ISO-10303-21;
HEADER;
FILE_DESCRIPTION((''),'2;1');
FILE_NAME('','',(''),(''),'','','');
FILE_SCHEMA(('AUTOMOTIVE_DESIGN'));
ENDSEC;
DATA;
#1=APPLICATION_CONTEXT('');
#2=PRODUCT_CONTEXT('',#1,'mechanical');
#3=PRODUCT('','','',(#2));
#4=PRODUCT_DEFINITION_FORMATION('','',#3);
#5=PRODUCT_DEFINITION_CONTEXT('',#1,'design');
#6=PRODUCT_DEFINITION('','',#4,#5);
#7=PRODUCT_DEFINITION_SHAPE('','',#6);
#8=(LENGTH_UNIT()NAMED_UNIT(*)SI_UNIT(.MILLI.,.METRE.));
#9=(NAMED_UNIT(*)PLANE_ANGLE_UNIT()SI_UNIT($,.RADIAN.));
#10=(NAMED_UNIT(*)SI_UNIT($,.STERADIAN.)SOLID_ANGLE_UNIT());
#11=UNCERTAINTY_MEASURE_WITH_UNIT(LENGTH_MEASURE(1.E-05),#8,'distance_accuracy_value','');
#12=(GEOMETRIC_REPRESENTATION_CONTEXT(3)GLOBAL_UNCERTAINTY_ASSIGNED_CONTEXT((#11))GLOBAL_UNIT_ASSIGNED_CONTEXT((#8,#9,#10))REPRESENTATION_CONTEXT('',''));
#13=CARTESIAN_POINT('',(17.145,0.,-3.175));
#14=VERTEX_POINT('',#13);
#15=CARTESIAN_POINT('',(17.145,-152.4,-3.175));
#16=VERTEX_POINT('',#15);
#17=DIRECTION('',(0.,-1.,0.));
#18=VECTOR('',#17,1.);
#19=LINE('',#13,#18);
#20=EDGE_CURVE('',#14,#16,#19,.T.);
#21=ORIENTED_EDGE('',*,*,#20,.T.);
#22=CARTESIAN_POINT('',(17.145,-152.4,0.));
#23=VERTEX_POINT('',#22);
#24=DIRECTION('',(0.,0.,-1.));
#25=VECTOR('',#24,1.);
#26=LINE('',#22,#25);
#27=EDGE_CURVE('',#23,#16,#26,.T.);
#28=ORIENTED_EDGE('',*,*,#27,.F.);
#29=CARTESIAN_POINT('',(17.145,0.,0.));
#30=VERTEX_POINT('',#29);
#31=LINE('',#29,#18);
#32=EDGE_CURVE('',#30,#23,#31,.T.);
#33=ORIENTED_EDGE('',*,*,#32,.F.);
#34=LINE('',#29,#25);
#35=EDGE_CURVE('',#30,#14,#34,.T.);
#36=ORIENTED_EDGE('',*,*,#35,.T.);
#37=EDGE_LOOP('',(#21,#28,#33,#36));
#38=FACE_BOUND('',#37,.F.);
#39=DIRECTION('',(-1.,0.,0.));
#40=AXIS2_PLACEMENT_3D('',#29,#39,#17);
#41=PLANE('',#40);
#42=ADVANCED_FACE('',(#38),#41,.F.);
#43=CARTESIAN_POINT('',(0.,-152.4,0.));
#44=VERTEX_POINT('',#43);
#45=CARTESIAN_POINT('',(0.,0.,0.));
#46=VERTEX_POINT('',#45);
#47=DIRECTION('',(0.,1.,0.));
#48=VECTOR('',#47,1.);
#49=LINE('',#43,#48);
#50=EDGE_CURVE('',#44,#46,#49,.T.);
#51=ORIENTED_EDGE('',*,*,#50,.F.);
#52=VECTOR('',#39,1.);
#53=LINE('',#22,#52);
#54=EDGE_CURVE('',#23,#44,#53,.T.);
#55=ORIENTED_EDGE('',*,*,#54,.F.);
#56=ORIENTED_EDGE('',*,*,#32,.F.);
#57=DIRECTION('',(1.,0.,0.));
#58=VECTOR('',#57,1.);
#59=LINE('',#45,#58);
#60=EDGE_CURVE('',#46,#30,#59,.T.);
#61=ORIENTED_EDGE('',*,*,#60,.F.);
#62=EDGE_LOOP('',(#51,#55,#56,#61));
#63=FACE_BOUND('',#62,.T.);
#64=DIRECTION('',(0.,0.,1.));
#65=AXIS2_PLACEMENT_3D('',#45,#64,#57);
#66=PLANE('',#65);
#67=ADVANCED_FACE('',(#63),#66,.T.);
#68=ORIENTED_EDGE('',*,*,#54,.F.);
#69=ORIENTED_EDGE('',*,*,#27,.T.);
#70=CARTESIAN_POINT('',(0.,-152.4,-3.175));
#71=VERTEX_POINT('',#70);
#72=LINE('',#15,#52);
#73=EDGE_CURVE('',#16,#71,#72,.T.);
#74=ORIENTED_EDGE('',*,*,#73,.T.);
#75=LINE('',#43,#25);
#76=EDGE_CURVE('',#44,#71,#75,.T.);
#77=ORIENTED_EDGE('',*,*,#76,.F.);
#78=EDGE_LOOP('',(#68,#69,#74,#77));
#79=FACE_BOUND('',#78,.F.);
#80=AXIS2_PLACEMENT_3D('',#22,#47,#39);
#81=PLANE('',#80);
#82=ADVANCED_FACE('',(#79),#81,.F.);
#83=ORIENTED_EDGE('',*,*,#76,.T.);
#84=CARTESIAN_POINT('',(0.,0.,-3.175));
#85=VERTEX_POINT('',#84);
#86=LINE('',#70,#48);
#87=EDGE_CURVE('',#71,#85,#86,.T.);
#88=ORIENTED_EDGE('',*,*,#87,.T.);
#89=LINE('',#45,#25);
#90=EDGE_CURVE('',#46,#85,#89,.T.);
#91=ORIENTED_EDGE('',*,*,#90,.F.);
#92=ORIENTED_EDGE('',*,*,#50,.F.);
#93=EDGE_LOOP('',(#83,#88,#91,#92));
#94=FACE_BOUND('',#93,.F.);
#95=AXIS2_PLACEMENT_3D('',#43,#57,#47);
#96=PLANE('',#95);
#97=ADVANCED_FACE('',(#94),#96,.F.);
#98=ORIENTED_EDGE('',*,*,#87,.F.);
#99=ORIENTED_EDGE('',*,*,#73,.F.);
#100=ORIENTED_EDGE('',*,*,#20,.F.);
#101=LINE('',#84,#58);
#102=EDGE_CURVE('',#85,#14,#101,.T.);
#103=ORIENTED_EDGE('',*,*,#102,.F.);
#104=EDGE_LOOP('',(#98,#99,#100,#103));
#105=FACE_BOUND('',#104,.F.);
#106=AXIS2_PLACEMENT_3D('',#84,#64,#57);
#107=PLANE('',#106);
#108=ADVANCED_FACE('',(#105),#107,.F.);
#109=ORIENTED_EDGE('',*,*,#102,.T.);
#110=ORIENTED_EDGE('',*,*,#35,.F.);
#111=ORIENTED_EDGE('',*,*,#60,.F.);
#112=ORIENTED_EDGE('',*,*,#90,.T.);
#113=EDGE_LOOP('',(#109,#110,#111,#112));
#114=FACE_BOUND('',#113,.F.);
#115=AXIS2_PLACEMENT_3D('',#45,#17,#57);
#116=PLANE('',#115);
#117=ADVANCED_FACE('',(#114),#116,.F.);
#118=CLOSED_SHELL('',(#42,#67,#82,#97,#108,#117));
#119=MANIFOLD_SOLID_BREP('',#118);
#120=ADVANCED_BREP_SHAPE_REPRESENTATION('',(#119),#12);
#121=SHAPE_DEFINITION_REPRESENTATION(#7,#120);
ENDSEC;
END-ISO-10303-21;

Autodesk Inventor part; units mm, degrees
ref_plane "YZ Plane" through (0, 0, 0) normal (1, 0, 0) x (0, 1, 0)
ref_plane "XZ Plane" through (0, 0, 0) normal (0, 1, 0) x (-1, 0, 0)
ref_plane "XY Plane" through (0, 0, 0) normal (0, 0, 1) x (1, 0, 0)
sketch "Sketch1" plane through (0, 0, 0) normal (0, 0, 1) x (1, 0, 0)
  line L0 (0, 0) -> (17.145, 0)
  line L1 (17.145, 0) -> (17.145, -152.4)
  line L2 (17.145, -152.4) -> (0, -152.4)
  line L3 (0, -152.4) -> (0, 0)
  dimension "d0" = 152.4
  dimension "d1" = 17.145
extrude "Extrusion1" add sketch "Sketch1" against normal blind 3.175
properties part number "Needle Bearing Mount Connector"
